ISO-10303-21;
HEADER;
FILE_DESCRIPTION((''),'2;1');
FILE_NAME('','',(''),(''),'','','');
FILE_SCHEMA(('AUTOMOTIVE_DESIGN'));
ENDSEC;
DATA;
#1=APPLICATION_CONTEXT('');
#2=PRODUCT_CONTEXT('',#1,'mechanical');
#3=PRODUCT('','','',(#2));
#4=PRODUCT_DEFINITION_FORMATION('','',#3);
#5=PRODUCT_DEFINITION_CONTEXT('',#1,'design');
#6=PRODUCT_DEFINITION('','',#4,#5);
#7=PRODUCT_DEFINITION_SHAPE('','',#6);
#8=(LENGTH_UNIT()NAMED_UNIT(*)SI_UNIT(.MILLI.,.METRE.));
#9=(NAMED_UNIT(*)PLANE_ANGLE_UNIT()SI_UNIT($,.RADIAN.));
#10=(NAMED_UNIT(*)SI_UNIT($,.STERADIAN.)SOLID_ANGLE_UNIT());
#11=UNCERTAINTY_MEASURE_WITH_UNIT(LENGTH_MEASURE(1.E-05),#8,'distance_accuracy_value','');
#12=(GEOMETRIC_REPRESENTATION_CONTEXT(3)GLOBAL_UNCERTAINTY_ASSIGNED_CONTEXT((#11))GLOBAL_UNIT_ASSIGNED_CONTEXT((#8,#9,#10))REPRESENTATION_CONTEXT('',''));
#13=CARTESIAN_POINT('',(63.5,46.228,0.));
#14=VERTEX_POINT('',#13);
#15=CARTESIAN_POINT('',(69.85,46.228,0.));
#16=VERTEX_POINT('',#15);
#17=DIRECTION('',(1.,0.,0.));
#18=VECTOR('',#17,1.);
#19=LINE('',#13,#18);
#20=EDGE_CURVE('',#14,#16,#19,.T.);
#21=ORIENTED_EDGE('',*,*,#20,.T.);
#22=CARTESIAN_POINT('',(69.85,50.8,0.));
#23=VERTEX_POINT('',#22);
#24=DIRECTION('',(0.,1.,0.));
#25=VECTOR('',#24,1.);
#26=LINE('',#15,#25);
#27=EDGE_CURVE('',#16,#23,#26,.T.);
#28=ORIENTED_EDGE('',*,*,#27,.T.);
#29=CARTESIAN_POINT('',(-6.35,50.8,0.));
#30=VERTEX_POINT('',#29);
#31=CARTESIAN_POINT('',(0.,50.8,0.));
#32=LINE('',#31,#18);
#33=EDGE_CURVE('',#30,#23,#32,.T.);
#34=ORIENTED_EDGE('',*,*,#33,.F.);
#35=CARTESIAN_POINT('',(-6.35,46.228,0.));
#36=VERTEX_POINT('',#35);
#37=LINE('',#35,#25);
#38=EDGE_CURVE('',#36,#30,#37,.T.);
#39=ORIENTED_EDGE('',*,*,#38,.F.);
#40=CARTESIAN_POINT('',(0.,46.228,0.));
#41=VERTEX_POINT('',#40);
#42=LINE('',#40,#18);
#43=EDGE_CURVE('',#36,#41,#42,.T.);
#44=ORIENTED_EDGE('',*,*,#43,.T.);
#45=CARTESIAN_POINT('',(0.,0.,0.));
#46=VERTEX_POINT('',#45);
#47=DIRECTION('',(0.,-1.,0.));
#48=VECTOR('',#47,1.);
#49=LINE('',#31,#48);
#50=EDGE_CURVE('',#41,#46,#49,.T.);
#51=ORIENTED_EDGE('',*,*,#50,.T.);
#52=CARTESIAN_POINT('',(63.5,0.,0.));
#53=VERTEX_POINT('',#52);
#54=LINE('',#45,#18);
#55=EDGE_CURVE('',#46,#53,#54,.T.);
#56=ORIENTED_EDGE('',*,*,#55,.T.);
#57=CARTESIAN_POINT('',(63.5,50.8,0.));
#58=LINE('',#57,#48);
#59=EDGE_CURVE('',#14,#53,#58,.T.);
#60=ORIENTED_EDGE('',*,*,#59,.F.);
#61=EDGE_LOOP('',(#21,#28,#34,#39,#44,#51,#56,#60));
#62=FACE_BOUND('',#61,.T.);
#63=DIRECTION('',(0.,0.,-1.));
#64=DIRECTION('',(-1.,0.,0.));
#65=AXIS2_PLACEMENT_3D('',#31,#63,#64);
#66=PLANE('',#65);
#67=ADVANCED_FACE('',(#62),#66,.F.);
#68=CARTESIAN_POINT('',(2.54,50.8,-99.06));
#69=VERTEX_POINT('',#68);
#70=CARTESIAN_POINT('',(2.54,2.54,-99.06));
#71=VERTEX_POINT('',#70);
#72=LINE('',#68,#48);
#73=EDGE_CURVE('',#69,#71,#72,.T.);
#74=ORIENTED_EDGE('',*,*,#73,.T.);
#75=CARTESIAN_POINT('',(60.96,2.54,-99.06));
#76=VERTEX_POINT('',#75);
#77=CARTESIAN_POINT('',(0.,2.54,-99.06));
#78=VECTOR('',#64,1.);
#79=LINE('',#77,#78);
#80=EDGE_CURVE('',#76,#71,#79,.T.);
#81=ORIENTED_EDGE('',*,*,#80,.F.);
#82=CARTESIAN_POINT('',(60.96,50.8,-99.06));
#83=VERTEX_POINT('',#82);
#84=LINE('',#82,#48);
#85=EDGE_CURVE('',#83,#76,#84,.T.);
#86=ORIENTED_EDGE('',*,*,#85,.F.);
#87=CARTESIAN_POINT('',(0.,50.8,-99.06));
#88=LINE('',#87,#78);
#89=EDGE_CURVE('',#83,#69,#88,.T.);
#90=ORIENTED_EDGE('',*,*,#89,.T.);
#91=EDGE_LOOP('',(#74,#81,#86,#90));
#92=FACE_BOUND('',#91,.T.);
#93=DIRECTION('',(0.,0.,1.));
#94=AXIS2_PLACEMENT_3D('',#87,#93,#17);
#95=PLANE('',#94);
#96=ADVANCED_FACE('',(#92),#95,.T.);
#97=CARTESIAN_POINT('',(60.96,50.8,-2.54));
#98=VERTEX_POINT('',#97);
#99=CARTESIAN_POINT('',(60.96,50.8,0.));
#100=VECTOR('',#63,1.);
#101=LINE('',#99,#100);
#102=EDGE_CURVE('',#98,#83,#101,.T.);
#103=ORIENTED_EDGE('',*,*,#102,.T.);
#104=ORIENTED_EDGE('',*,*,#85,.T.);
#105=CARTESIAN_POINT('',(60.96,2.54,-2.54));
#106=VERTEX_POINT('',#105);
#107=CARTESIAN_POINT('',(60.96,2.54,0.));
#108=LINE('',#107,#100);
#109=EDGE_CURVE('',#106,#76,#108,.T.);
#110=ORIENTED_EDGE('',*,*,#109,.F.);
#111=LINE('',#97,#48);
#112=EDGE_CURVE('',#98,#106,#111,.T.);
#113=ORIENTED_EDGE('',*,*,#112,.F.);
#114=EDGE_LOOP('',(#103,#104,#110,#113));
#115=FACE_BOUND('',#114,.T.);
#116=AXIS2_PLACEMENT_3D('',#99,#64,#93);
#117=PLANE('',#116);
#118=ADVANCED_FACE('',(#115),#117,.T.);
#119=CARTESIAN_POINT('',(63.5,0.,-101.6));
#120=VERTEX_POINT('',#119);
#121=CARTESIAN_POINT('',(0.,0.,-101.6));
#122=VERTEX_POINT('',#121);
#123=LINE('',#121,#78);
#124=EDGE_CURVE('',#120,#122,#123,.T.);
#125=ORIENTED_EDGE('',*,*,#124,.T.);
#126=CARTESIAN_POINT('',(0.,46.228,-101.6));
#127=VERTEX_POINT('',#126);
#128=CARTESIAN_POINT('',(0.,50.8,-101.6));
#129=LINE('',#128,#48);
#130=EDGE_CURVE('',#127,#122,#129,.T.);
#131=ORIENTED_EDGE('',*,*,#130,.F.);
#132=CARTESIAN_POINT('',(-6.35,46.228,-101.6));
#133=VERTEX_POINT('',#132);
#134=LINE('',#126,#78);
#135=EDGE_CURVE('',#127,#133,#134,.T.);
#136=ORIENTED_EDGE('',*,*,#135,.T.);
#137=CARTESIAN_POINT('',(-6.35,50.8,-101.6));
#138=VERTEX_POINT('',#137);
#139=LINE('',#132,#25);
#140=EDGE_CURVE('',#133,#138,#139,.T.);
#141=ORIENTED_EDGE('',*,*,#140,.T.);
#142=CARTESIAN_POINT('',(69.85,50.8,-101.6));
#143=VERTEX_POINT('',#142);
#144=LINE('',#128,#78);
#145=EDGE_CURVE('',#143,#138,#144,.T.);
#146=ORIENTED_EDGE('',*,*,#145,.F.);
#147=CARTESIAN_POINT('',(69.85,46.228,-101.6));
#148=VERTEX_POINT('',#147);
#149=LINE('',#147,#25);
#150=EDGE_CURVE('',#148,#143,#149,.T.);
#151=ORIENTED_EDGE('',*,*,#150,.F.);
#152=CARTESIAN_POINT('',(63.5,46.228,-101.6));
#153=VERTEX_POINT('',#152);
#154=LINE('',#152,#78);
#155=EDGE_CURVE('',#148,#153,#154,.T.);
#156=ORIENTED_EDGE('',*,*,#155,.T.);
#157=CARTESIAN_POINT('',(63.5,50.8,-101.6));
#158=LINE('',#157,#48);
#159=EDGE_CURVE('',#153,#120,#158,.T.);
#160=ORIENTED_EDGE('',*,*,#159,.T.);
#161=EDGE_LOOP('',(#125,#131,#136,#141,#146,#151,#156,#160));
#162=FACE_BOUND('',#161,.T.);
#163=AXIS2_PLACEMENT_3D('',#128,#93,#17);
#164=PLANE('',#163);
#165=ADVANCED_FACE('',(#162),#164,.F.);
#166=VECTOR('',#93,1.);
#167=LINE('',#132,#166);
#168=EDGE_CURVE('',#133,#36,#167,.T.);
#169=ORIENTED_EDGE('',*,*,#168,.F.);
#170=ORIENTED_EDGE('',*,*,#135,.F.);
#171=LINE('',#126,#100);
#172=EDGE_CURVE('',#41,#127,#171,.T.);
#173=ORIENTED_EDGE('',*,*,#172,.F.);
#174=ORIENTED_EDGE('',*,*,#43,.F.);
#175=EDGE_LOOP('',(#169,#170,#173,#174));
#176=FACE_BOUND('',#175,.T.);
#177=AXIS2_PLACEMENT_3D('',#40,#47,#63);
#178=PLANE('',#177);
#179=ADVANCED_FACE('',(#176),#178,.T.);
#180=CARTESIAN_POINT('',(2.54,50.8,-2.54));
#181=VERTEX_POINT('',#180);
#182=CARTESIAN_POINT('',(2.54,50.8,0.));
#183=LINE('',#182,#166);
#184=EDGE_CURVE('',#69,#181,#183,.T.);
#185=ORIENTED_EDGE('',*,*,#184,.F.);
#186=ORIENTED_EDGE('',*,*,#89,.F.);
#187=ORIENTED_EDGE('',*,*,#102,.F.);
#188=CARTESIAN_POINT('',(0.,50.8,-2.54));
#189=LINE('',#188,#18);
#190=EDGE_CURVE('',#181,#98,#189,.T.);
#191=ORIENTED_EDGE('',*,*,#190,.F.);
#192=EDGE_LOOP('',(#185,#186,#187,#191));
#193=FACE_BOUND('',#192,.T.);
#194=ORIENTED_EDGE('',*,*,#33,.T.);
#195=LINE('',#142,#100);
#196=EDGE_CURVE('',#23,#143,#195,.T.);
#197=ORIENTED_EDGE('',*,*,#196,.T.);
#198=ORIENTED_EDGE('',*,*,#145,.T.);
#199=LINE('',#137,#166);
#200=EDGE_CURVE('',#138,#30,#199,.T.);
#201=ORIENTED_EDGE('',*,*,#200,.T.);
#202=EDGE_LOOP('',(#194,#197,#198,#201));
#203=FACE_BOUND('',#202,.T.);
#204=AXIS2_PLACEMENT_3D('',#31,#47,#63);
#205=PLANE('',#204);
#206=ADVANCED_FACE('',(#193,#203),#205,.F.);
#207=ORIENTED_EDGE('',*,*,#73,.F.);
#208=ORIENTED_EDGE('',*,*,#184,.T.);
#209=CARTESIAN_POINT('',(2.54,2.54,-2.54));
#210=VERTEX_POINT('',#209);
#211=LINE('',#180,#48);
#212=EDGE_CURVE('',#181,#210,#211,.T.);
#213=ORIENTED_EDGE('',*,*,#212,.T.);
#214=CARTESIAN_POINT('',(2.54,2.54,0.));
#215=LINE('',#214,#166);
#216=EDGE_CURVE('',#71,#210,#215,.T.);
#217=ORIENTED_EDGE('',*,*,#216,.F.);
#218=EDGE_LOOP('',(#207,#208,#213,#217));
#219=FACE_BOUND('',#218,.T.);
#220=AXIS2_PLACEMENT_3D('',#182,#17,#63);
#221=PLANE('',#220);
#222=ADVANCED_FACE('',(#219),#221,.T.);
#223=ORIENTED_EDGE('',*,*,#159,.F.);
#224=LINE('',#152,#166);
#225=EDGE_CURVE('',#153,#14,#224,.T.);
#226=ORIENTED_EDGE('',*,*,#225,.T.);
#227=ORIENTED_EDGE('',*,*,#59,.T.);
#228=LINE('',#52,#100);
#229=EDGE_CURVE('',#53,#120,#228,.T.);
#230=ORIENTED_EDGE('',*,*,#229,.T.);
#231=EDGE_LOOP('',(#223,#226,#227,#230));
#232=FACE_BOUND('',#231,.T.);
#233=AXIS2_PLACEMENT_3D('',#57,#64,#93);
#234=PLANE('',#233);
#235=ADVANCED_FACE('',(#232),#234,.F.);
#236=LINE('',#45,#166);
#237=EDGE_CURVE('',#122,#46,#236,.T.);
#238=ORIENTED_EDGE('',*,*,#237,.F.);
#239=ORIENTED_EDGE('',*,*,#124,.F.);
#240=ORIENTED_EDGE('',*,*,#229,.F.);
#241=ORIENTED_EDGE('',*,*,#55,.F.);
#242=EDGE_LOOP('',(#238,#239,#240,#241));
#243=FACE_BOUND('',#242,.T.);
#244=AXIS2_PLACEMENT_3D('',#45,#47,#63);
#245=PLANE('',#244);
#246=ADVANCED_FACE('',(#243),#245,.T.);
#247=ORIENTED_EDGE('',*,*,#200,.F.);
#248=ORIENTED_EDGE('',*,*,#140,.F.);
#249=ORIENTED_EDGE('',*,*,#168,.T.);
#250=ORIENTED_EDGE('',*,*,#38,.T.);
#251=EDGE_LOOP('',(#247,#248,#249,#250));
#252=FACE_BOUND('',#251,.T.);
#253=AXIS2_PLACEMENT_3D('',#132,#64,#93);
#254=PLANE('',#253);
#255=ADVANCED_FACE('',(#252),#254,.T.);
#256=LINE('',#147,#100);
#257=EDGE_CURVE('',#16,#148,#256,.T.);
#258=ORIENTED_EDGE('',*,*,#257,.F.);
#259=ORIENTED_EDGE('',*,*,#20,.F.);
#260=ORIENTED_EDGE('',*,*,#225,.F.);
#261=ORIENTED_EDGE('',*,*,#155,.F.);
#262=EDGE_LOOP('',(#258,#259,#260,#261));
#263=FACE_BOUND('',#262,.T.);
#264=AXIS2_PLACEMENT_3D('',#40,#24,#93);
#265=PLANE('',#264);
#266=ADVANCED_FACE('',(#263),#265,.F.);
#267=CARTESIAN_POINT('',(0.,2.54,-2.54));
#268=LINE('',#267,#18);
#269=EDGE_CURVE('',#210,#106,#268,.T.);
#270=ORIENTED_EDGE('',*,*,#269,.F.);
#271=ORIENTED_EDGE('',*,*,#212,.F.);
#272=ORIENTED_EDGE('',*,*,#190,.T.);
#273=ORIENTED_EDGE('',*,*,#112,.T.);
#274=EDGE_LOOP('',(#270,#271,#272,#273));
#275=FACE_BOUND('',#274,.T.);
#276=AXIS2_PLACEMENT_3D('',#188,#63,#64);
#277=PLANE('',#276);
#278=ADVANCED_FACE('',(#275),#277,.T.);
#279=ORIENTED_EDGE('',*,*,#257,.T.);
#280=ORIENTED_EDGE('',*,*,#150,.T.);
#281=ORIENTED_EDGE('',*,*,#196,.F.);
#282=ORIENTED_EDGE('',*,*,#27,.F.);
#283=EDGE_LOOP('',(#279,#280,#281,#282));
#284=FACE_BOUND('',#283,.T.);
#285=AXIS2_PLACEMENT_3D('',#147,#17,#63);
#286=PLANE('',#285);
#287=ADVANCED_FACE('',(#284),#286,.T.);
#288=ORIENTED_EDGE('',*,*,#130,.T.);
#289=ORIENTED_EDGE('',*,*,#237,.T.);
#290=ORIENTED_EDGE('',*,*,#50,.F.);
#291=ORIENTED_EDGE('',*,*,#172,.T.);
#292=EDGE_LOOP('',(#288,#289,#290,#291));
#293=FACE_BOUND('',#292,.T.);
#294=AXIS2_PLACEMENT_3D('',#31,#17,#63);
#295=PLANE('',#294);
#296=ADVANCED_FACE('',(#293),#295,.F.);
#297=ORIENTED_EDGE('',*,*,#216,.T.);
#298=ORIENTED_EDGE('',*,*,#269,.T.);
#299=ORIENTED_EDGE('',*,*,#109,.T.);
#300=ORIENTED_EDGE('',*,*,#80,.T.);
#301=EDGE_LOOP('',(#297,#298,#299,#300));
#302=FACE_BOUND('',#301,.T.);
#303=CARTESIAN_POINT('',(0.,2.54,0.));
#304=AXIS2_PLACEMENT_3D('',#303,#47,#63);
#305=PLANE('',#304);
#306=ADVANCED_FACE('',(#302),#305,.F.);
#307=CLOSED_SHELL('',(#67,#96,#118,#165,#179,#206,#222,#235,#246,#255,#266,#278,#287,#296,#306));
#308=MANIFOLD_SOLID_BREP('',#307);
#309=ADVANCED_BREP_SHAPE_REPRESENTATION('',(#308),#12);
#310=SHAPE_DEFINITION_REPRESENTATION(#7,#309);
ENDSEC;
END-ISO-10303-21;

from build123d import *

# Parameters (mm, degrees)
SKETCH1_W           = 63.5
SKETCH1_H           = 101.6
BOSS_EXTRUDE1_DEPTH = 50.8
SHELL1_T            = -2.54
SKETCH2_W           = 6.35
SKETCH2_H           = 101.6
BOSS_EXTRUDE2_DEPTH = 4.572


with BuildPart() as part:
    # Sketch1 → Boss-Extrude1 (new body)
    with BuildSketch(Plane(origin=(0, 0, 0), x_dir=(1, 0, 0), z_dir=(0, 1, 0))):
        with Locations((31.75, 50.8)):
            Rectangle(SKETCH1_W, SKETCH1_H)
    extrude(amount=BOSS_EXTRUDE1_DEPTH)

    # Shell1
    shell1_openings = [part.faces().sort_by_distance(p)[0] for p in [
        (31.75, 50.8, -50.8),
    ]]
    offset(amount=SHELL1_T, openings=shell1_openings, kind=Kind.INTERSECTION)

    # Sketch2 → Boss-Extrude2 (add)
    with BuildSketch(Plane(origin=(0, 50.8, 0), x_dir=(1, 0, 0), z_dir=(0, 1, 0))):
        with Locations((-3.175, 50.8)):
            Rectangle(SKETCH2_W, SKETCH2_H)
        with Locations((66.675, 50.8)):
            Rectangle(SKETCH2_W, SKETCH2_H)
    extrude(amount=-BOSS_EXTRUDE2_DEPTH)


solid = part.part
